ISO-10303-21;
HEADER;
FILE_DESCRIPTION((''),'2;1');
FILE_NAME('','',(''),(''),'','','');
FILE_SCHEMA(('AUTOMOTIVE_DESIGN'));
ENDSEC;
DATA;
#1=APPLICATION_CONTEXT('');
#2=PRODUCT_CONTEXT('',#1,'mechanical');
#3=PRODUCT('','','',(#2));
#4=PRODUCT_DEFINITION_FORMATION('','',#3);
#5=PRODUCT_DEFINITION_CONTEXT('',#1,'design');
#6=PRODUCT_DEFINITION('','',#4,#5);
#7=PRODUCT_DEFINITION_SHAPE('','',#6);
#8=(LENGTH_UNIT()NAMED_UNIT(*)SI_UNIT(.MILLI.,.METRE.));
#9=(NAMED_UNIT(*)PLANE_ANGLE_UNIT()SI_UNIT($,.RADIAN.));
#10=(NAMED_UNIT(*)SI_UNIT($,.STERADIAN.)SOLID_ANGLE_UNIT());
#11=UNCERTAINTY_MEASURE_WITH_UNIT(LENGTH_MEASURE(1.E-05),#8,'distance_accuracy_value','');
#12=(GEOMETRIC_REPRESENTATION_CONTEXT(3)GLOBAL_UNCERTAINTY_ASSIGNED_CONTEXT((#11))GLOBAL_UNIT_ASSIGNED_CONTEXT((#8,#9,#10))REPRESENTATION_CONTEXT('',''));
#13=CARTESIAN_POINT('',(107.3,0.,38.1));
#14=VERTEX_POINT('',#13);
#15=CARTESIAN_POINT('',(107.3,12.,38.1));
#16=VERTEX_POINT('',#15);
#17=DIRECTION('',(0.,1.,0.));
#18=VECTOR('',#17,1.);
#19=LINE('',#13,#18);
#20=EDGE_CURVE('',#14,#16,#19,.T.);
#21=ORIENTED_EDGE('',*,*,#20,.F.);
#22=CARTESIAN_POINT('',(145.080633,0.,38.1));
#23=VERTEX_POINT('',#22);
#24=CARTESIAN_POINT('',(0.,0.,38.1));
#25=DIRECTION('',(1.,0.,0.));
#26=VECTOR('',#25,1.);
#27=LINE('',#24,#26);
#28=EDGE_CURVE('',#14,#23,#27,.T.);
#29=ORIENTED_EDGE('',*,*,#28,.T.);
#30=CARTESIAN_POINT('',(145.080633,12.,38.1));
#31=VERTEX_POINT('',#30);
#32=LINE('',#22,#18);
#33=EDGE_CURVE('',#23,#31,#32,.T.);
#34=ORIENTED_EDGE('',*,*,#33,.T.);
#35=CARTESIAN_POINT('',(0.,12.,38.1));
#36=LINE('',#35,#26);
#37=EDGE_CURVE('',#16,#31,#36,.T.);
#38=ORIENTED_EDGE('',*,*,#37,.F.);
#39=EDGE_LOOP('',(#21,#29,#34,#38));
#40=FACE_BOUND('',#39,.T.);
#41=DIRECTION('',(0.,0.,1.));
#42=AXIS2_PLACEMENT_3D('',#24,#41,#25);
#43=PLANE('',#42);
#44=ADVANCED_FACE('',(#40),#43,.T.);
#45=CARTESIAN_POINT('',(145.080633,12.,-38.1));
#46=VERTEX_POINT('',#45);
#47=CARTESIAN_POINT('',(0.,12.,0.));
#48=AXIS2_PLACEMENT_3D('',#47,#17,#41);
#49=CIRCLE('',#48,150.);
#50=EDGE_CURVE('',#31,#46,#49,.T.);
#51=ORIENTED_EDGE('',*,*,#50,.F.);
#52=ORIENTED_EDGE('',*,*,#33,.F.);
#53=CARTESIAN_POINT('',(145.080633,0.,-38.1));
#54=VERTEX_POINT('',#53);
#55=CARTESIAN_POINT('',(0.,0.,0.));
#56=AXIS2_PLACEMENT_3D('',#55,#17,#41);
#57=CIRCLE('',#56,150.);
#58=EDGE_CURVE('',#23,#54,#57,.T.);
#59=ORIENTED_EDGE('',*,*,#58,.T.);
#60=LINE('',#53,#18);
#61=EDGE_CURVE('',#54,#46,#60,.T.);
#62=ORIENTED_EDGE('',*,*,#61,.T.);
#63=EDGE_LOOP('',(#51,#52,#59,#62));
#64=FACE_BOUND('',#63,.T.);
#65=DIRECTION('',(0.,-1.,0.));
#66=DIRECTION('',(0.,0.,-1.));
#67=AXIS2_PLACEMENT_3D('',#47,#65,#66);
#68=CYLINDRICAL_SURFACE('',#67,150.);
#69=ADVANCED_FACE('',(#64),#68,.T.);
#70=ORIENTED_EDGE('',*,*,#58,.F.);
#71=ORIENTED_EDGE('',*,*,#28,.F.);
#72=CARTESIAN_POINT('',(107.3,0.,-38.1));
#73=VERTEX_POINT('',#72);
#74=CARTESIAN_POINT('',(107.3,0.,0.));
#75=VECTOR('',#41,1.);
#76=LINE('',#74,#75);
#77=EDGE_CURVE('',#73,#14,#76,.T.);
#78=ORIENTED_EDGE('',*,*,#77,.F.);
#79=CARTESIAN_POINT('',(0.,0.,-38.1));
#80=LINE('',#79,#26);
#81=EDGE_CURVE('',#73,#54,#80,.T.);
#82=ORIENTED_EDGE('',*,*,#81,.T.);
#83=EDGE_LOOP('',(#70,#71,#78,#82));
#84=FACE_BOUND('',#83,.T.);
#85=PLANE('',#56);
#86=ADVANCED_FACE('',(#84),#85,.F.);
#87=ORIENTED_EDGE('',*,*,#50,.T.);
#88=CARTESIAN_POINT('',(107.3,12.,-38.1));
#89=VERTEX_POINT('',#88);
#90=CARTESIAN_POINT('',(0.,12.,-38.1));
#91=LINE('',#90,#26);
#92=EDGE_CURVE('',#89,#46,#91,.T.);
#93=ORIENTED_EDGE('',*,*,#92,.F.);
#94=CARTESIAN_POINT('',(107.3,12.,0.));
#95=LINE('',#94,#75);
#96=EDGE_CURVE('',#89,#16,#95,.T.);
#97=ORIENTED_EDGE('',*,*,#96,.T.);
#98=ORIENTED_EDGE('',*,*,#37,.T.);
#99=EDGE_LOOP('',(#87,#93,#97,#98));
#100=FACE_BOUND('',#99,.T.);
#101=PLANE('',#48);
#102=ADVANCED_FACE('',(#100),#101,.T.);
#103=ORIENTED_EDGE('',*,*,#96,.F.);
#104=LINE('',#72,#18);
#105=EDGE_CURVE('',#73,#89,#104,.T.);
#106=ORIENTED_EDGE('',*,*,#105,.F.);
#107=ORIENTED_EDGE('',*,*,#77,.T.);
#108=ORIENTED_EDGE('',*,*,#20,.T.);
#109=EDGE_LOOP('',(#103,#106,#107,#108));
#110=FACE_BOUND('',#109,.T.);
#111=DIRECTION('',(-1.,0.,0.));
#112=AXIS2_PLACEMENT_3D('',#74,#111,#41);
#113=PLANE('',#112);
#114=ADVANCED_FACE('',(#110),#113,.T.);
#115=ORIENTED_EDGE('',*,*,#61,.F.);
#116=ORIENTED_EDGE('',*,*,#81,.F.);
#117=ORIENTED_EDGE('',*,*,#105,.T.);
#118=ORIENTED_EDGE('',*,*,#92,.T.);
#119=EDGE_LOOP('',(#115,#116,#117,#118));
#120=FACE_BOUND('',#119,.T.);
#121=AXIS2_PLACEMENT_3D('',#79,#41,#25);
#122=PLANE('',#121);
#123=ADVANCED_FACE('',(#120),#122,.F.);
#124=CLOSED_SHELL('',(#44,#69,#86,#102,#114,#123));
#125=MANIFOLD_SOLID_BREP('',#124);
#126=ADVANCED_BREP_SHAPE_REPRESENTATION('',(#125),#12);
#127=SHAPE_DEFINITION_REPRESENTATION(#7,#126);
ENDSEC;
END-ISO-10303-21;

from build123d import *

# Parameters (mm, degrees)
SKETCH1_R           = 15
SKETCH1_R_2         = 5
BOSS_EXTRUDE1_DEPTH = 12
SKETCH3_R           = 5
SKETCH3_R_2         = 15
CUT_EXTRUDE4_DEPTH  = 13


with BuildPart() as part:
    # Sketch1 → Boss-Extrude1 (new body)
    with BuildSketch(Plane(origin=(0, 0, 0), x_dir=(1, 0, 0), z_dir=(0, 1, 0))):
        with BuildLine():
            Line((67.27241336, 38.839745962), (129.903810568, 75))
            ThreePointArc((129.903810568, 75), (150, 0), (129.903810568, -75))
            Line((129.903810568, -75), (67.27241336, -38.839745962))
            ThreePointArc((67.27241336, -38.839745962), (64.860603811, -37.840741737), (62.27241336, -37.5))
            Line((62.27241336, -37.5), (-45.048094716, -37.5))
            ThreePointArc((-45.048094716, -37.5), (-52.119162528, -34.571067812), (-55.048094716, -27.5))
            Line((-55.048094716, -27.5), (-55.048094716, 27.5))
            ThreePointArc((-55.048094716, 27.5), (-52.119162528, 34.571067812), (-45.048094716, 37.5))
            Line((-45.048094716, 37.5), (62.27241336, 37.5))
            ThreePointArc((62.27241336, 37.5), (64.860603811, 37.840741737), (67.27241336, 38.839745962))
        make_face()
        Circle(SKETCH1_R, mode=Mode.SUBTRACT)
        with Locations((30, 0)):
            Circle(SKETCH1_R_2, mode=Mode.SUBTRACT)
        with Locations((-30, 0)):
            Circle(SKETCH1_R_2, mode=Mode.SUBTRACT)
        with Locations((50, 0)):
            Circle(SKETCH1_R_2, mode=Mode.SUBTRACT)
    extrude(amount=BOSS_EXTRUDE1_DEPTH)

    # Sketch3 → Cut-Extrude4 (cut, through all)
    with BuildSketch(Plane(origin=(0, 12, 0), x_dir=(1, 0, 0), z_dir=(0, 1, 0))):
        with BuildLine():
            Line((107.3, -38.1), (107.3, 38.1))
            Line((107.3, 38.1), (145.080632753, 38.1))
            ThreePointArc((145.080632753, 38.1), (138.724595934, 57.056870602), (129.903810568, 75))
            Line((129.903810568, 75), (67.27241336, 38.839745962))
            ThreePointArc((67.27241336, 38.839745962), (64.860603811, 37.840741737), (62.27241336, 37.5))
            Line((62.27241336, 37.5), (-45.048094716, 37.5))
            ThreePointArc((-45.048094716, 37.5), (-52.119162528, 34.571067812), (-55.048094716, 27.5))
            Line((-55.048094716, 27.5), (-55.048094716, -27.5))
            ThreePointArc((-55.048094716, -27.5), (-52.119162528, -34.571067812), (-45.048094716, -37.5))
            Line((-45.048094716, -37.5), (62.27241336, -37.5))
            ThreePointArc((62.27241336, -37.5), (64.860603811, -37.840741737), (67.27241336, -38.839745962))
            Line((67.27241336, -38.839745962), (129.903810568, -75))
            ThreePointArc((129.903810568, -75), (138.724595934, -57.056870602), (145.080632753, -38.1))
            Line((145.080632753, -38.1), (107.3, -38.1))
        make_face()
        with Locations((-30, 0)):
            Circle(SKETCH3_R, mode=Mode.SUBTRACT)
        Circle(SKETCH3_R_2, mode=Mode.SUBTRACT)
        with Locations((30, 0)):
            Circle(SKETCH3_R, mode=Mode.SUBTRACT)
        with Locations((50, 0)):
            Circle(SKETCH3_R, mode=Mode.SUBTRACT)
    extrude(amount=-CUT_EXTRUDE4_DEPTH, mode=Mode.SUBTRACT)


solid = part.part
